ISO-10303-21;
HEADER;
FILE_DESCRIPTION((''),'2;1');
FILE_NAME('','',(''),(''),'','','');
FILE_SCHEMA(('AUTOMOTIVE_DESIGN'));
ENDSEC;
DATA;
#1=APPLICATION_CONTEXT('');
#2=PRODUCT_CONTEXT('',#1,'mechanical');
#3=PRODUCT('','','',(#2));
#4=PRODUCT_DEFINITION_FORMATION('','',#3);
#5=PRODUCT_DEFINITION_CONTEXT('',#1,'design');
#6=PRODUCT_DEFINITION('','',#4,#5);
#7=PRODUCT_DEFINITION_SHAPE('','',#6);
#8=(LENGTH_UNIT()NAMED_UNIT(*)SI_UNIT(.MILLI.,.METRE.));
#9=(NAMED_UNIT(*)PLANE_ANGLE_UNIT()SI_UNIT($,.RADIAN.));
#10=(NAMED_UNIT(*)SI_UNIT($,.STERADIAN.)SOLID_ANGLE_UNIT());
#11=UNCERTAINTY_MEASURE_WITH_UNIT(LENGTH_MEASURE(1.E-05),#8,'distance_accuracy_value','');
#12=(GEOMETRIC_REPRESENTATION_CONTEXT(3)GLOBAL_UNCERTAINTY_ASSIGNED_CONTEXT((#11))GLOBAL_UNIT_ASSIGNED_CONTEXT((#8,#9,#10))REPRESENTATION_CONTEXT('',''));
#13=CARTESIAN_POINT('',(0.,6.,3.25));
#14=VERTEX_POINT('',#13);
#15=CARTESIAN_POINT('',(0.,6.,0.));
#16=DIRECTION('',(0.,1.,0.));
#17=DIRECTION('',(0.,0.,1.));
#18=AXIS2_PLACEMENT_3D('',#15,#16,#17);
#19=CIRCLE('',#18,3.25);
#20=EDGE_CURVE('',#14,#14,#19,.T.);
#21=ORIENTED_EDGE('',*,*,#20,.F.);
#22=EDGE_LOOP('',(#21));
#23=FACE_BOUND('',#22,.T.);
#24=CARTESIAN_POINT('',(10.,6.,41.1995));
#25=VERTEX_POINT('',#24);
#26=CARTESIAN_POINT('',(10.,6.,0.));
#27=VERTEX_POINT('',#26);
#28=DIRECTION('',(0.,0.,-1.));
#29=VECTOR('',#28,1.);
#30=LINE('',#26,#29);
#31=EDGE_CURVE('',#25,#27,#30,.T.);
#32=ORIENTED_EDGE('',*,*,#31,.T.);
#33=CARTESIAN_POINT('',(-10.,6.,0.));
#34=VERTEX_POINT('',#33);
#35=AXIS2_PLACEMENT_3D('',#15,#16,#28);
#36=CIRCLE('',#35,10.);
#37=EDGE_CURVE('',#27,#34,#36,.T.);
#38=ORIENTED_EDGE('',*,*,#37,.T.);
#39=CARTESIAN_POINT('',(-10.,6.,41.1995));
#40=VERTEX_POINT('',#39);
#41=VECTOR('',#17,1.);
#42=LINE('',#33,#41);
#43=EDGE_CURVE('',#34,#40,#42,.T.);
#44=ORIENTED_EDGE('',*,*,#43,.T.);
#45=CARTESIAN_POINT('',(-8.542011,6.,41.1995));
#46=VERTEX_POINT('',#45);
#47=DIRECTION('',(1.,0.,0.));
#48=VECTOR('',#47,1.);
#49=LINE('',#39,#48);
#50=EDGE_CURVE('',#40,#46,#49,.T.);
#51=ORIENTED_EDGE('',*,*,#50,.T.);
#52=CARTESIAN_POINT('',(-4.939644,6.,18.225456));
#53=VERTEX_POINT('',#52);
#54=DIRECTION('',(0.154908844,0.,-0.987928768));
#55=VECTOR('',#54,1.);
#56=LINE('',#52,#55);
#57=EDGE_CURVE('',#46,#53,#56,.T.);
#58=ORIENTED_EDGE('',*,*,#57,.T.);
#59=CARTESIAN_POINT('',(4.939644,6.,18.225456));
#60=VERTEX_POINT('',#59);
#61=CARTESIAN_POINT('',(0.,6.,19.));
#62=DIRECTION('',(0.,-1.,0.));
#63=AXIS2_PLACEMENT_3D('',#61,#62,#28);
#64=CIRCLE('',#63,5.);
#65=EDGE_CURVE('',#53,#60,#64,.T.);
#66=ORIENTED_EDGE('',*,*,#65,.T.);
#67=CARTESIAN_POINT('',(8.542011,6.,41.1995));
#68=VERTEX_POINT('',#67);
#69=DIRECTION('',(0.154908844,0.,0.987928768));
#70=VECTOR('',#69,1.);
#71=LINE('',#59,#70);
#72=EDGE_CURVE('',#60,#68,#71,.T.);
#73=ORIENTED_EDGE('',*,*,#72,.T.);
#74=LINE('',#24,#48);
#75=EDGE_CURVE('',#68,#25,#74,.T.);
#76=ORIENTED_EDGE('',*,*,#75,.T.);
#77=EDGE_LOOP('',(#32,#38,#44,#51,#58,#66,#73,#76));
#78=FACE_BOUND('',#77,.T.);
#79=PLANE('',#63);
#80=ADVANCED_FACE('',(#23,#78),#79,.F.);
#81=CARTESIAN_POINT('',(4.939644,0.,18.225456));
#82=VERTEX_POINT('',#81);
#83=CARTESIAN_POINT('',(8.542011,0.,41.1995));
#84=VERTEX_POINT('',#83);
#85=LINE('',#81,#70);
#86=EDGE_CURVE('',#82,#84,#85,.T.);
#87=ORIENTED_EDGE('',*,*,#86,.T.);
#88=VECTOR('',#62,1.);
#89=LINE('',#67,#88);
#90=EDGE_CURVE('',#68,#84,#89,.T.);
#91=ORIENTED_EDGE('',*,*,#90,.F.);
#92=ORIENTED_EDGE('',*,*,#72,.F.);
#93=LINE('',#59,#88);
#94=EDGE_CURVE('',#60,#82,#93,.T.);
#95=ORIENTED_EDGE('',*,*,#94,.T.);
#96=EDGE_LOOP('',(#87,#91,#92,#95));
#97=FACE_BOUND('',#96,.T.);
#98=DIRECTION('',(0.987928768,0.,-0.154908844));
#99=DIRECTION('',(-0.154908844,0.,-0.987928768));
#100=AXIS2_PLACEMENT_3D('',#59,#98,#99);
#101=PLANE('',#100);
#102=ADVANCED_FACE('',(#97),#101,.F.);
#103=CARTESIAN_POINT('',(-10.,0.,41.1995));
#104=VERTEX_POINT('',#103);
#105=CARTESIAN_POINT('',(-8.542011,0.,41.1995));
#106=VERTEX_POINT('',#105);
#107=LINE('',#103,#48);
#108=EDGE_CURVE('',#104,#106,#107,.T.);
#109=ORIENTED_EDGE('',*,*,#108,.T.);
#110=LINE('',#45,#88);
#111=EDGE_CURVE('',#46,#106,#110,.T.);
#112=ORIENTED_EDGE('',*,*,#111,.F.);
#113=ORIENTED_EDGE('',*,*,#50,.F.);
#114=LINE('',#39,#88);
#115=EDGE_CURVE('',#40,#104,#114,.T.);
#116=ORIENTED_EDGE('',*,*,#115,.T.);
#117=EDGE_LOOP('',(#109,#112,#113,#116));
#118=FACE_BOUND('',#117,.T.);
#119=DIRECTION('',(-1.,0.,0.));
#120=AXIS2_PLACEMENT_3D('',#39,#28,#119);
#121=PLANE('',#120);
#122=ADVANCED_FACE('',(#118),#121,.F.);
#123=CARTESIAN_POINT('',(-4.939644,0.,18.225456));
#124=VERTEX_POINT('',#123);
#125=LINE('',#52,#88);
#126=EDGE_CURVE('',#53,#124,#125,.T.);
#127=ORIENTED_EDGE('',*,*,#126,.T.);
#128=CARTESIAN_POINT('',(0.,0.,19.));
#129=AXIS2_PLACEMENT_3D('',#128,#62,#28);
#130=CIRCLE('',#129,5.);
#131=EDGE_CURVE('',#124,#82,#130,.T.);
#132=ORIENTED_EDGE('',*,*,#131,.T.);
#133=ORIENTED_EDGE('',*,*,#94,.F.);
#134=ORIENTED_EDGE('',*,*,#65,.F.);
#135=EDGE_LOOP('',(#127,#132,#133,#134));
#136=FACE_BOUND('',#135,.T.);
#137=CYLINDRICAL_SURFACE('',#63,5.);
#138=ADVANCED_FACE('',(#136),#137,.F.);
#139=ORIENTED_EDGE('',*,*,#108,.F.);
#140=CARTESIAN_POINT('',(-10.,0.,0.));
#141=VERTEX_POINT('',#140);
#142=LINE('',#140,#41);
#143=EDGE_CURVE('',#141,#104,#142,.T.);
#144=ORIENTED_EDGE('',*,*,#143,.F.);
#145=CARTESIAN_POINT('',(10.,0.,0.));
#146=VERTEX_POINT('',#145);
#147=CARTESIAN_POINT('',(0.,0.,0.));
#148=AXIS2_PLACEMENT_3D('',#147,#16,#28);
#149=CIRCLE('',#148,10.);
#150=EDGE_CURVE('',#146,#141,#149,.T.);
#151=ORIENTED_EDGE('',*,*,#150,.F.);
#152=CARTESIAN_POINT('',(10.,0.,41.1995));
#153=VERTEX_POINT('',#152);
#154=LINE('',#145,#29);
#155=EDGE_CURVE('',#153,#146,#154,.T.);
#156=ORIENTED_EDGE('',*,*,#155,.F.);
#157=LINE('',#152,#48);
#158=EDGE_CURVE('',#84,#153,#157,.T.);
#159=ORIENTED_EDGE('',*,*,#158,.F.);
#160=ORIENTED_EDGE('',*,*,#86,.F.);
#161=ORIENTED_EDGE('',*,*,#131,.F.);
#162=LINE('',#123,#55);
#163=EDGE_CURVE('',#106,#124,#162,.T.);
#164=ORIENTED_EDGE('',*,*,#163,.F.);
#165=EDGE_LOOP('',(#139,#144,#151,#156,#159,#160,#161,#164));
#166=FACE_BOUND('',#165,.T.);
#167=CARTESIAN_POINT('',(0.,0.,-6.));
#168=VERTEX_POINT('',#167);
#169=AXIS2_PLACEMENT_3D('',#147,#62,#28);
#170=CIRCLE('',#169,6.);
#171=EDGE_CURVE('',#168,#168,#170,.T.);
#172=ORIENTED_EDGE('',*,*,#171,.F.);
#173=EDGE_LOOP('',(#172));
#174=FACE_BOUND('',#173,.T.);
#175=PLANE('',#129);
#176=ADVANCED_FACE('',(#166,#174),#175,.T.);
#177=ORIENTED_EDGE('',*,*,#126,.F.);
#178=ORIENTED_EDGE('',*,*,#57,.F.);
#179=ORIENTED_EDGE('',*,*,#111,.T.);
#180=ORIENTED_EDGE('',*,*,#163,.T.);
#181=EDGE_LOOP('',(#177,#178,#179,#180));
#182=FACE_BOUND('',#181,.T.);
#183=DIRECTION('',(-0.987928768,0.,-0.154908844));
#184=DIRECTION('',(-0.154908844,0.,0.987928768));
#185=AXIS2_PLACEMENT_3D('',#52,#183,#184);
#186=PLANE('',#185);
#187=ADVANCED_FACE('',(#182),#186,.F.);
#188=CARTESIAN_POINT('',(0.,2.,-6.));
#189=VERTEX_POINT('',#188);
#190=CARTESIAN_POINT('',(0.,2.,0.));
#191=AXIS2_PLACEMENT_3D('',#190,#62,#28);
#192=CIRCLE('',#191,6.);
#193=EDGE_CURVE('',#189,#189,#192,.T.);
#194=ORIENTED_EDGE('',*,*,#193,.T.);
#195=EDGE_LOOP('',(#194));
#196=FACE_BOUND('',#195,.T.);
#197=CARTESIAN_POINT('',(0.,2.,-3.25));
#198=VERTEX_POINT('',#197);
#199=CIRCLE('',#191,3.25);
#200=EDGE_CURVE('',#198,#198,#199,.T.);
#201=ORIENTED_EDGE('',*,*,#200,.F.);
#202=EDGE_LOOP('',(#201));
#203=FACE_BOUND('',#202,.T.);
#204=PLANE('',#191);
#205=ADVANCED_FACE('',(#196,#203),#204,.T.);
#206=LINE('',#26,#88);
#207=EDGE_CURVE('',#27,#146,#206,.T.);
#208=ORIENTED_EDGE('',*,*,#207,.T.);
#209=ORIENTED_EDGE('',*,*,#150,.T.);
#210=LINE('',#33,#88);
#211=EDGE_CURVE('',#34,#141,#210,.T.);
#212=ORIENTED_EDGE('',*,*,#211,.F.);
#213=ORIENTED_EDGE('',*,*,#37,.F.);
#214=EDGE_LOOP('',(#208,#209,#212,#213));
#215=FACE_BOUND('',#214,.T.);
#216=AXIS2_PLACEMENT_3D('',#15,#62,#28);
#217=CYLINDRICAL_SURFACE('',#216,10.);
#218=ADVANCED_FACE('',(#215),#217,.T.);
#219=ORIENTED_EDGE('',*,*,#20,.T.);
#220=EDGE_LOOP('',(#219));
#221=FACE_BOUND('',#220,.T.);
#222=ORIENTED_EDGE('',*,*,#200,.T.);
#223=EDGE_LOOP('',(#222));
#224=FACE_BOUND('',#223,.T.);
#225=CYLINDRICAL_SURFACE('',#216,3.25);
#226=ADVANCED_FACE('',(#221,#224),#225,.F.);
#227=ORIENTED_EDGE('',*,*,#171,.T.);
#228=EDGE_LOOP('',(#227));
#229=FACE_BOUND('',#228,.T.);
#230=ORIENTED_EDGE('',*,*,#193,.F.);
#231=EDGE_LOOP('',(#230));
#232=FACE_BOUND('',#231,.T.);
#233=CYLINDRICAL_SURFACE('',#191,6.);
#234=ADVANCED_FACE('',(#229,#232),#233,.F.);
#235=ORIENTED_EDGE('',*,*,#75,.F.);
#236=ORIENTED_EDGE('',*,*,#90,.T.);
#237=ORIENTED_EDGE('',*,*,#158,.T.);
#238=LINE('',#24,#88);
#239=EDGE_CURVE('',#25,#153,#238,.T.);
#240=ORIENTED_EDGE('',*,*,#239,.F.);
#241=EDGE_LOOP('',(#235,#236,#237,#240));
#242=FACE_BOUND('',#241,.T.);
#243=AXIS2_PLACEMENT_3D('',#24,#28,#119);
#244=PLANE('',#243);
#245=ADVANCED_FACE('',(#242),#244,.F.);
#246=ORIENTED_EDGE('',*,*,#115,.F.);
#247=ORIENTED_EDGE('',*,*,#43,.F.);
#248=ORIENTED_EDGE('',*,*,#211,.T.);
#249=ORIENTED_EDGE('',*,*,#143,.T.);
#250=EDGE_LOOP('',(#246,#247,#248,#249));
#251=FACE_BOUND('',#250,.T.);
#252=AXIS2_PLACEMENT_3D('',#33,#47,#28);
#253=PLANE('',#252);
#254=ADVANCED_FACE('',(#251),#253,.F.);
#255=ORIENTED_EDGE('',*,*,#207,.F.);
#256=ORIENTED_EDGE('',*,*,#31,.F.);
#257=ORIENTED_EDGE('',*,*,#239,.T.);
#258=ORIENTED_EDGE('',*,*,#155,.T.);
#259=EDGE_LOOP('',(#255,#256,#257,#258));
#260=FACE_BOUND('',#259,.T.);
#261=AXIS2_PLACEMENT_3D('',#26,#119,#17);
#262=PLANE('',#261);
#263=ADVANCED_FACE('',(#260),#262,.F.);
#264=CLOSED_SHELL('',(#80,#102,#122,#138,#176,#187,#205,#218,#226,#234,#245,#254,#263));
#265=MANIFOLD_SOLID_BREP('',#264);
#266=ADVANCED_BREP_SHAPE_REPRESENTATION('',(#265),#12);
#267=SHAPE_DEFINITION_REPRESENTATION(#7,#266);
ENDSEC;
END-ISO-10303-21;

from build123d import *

# Parameters (mm, degrees)
SKETCH_1_R          = 3.25
EXTRUDE_1_DEPTH     = 6
SKETCH_2_R          = 6
CUT_EXTRUDE_1_DEPTH = 2


with BuildPart() as part:
    # Эскиз1 → Бобышка-Вытянуть1 (new body)
    with BuildSketch(Plane(origin=(0, 0, 0), x_dir=(1, 0, 0), z_dir=(0, 1, 0))):
        with BuildLine():
            Line((-4.939643838, -18.225455779), (-8.542011418, -41.199499519))
            Line((-8.542011418, -41.199499519), (-10, -41.199499519))
            Line((-10, -41.199499519), (-10, 0))
            ThreePointArc((-10, 0), (0, 10), (10, 0))
            Line((10, 0), (10, -41.199499519))
            Line((10, -41.199499519), (8.542011418, -41.199499519))
            Line((8.542011418, -41.199499519), (4.939643838, -18.225455779))
            ThreePointArc((4.939643838, -18.225455779), (0, -14), (-4.939643838, -18.225455779))
        make_face()
        Circle(SKETCH_1_R, mode=Mode.SUBTRACT)
    extrude(amount=EXTRUDE_1_DEPTH)

    # Эскиз2 → Вырез-Вытянуть1 (cut)
    with BuildSketch(Plane.XZ):
        Circle(SKETCH_2_R)
    extrude(amount=-CUT_EXTRUDE_1_DEPTH, mode=Mode.SUBTRACT)


solid = part.part
